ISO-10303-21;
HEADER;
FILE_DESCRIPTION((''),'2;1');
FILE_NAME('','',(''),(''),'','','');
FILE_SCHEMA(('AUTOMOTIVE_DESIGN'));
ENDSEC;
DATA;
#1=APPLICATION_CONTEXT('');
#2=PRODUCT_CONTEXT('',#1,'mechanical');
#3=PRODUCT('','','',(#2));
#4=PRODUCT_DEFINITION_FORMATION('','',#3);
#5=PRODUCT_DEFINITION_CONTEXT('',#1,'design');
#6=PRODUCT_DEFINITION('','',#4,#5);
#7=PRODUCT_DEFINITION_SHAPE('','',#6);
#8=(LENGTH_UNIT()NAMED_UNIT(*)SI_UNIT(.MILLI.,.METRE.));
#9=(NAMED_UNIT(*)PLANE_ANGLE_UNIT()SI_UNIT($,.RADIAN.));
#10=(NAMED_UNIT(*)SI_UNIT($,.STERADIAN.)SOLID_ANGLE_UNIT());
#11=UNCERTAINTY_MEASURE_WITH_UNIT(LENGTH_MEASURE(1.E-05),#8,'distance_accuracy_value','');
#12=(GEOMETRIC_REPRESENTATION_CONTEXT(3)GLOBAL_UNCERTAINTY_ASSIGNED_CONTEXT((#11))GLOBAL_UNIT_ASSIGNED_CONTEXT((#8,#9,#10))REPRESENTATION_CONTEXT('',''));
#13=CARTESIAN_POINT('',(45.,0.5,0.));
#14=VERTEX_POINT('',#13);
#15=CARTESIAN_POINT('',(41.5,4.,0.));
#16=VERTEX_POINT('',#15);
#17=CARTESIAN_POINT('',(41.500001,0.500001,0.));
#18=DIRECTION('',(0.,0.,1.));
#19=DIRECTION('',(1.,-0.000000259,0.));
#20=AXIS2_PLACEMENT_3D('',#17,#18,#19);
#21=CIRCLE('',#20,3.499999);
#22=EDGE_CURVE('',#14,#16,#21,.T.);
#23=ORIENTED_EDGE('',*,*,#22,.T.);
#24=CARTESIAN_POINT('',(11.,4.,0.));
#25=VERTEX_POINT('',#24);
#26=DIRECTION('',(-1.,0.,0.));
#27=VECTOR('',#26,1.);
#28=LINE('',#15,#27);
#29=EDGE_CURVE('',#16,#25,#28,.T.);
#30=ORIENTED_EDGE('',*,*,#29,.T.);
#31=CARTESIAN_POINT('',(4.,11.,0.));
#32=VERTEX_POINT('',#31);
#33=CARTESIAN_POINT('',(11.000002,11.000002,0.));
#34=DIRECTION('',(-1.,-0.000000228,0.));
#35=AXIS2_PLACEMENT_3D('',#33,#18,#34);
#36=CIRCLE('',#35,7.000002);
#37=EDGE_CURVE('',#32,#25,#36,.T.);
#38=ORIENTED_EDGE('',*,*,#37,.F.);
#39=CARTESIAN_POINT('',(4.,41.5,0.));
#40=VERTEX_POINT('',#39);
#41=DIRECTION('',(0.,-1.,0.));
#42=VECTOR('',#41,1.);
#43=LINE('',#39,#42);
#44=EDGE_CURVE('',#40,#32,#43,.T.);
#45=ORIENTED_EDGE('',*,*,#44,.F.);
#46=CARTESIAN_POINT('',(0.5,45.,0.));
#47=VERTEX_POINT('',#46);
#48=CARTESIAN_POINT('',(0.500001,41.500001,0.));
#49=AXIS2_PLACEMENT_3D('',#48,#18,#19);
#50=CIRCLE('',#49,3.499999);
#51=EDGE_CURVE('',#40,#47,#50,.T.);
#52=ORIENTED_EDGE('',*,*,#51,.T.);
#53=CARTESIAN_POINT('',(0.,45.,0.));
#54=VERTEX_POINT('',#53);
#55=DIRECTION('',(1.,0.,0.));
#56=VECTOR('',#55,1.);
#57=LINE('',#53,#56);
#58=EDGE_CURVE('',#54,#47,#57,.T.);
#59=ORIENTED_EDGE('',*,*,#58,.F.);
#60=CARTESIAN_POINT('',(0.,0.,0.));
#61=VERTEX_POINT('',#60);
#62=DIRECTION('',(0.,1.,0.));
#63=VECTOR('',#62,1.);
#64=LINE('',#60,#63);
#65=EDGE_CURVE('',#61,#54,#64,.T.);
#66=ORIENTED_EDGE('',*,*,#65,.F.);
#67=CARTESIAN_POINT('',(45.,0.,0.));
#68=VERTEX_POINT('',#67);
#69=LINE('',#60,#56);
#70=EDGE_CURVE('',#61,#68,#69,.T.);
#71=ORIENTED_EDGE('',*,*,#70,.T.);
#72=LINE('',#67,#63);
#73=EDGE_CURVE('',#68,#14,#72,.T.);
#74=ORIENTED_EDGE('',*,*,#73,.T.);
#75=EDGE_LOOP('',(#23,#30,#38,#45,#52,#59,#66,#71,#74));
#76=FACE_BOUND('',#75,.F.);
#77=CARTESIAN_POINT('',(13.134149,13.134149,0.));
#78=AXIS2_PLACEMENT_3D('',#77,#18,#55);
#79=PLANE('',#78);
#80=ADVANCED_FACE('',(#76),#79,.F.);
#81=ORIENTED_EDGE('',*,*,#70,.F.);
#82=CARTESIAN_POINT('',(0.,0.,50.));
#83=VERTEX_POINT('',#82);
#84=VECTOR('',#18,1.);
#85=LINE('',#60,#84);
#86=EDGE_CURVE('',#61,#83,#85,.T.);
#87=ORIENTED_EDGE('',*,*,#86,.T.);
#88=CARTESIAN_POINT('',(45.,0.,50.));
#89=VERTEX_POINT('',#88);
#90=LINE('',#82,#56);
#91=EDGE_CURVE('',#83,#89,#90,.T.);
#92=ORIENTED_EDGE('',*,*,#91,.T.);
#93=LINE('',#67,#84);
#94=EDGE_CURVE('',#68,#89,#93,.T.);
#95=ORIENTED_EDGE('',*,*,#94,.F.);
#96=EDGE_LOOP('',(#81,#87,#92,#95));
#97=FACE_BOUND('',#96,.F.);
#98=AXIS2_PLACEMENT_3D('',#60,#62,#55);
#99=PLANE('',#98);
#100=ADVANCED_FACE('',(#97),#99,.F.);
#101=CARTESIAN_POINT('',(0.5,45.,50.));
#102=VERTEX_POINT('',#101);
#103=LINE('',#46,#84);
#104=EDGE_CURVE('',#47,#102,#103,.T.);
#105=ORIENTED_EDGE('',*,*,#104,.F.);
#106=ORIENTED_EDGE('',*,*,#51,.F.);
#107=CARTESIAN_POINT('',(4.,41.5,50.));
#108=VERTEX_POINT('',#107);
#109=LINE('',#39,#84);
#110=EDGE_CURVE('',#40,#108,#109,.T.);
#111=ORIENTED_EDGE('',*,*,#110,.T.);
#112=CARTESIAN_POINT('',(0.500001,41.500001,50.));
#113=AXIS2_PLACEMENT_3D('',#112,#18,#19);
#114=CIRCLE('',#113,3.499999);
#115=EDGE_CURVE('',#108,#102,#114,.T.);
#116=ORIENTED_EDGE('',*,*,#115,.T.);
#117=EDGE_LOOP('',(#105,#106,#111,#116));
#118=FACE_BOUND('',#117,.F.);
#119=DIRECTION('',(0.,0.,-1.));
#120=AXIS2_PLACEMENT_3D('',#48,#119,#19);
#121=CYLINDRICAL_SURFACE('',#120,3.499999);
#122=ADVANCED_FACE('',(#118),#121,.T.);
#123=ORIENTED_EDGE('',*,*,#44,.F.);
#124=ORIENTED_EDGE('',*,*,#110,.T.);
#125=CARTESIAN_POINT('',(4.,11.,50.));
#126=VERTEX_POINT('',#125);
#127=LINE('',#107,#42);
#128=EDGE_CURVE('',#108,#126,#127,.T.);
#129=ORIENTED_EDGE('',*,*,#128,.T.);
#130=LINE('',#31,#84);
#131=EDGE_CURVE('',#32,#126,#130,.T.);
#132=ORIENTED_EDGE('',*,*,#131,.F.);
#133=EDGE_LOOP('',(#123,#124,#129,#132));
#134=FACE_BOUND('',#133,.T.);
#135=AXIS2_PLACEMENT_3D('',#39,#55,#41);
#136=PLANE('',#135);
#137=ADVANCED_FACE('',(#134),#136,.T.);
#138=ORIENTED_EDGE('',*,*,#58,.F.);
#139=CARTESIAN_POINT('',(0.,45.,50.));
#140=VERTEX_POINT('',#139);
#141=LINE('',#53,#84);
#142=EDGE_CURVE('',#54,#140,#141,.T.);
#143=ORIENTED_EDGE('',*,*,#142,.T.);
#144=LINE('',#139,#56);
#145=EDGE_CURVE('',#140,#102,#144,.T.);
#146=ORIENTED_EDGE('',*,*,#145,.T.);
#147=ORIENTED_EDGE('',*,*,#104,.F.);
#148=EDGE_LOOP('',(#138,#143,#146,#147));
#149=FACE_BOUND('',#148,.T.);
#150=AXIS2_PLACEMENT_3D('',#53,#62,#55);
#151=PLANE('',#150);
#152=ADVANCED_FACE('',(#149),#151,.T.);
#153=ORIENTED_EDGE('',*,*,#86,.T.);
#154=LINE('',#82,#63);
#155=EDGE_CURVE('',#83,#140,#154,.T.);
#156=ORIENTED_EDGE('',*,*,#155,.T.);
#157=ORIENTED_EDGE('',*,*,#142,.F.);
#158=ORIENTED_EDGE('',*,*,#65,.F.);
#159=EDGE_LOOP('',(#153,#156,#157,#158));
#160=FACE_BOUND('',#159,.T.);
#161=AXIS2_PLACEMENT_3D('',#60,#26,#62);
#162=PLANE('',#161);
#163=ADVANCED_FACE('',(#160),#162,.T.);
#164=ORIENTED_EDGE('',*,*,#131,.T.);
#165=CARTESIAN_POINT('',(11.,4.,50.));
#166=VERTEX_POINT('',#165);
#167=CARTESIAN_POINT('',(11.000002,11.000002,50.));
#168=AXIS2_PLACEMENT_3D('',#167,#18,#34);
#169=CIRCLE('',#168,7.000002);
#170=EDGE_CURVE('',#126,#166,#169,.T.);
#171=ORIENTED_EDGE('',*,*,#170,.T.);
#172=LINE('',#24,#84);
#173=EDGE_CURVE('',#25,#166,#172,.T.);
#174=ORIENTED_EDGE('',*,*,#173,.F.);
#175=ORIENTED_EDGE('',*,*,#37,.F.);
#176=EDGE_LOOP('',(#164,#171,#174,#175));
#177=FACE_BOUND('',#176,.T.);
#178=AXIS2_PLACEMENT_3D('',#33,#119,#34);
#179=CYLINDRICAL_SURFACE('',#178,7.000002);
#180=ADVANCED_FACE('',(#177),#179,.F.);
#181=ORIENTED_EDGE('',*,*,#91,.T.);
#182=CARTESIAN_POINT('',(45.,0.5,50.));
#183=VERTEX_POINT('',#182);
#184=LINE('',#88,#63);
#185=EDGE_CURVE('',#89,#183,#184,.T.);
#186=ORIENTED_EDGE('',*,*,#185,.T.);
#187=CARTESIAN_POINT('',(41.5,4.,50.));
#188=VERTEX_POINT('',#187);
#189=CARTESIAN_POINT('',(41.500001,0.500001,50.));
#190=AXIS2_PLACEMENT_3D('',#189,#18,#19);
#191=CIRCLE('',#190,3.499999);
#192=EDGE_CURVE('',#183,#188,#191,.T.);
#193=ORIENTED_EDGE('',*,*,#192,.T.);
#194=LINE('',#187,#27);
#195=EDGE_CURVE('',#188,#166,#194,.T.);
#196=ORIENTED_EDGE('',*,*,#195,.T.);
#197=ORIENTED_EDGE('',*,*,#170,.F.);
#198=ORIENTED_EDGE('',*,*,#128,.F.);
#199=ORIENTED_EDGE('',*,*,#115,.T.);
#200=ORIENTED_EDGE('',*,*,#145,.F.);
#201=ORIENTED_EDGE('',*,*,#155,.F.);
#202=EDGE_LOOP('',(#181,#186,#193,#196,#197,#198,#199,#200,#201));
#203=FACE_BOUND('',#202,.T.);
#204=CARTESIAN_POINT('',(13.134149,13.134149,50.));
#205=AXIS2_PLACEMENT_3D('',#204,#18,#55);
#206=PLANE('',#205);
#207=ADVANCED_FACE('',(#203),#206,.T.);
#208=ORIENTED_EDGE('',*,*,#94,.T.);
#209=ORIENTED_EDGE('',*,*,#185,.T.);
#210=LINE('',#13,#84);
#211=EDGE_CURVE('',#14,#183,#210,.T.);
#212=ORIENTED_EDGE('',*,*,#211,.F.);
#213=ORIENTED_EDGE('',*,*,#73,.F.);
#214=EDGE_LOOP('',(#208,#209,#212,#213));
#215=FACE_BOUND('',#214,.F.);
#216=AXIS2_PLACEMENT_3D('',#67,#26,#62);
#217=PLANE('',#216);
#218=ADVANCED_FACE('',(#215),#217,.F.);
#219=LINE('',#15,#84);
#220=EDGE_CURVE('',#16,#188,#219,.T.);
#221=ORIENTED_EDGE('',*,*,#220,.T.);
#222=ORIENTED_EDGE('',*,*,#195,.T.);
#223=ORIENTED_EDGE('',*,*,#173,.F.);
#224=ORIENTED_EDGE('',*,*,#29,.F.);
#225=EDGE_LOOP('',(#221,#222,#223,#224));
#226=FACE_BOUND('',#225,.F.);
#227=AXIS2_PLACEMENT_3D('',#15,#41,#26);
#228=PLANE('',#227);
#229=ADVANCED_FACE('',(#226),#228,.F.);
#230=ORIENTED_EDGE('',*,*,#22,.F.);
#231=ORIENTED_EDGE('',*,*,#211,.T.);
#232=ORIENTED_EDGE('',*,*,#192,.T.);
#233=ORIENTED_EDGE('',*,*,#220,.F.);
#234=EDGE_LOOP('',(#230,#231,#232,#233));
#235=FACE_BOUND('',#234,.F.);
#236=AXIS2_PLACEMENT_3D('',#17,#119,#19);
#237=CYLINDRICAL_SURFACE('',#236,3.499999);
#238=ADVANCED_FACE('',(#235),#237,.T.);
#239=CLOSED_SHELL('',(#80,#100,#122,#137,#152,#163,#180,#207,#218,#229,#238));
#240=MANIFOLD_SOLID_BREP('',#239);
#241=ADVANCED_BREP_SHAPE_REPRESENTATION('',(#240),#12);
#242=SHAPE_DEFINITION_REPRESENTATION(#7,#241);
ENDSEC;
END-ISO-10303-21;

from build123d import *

# Parameters (mm, degrees)
EXTRUDE_DEPTH = 50


with BuildPart() as part:
    # Sketch → Extrude (new body)
    with BuildSketch(Plane.XY):
        with BuildLine():
            Line((0, 0), (45, 0))
            Line((45, 0), (45, 0.5))
            ThreePointArc((45, 0.5), (43.974874, 2.974874), (41.5, 4))
            Line((41.5, 4), (11, 4))
            ThreePointArc((4, 11), (6.050253, 6.050253), (11, 4))
            Line((4, 41.5), (4, 11))
            ThreePointArc((4, 41.5), (2.974874, 43.974874), (0.5, 45))
            Line((0, 45), (0.5, 45))
            Line((0, 0), (0, 45))
        make_face()
    extrude(amount=EXTRUDE_DEPTH)


solid = part.part
